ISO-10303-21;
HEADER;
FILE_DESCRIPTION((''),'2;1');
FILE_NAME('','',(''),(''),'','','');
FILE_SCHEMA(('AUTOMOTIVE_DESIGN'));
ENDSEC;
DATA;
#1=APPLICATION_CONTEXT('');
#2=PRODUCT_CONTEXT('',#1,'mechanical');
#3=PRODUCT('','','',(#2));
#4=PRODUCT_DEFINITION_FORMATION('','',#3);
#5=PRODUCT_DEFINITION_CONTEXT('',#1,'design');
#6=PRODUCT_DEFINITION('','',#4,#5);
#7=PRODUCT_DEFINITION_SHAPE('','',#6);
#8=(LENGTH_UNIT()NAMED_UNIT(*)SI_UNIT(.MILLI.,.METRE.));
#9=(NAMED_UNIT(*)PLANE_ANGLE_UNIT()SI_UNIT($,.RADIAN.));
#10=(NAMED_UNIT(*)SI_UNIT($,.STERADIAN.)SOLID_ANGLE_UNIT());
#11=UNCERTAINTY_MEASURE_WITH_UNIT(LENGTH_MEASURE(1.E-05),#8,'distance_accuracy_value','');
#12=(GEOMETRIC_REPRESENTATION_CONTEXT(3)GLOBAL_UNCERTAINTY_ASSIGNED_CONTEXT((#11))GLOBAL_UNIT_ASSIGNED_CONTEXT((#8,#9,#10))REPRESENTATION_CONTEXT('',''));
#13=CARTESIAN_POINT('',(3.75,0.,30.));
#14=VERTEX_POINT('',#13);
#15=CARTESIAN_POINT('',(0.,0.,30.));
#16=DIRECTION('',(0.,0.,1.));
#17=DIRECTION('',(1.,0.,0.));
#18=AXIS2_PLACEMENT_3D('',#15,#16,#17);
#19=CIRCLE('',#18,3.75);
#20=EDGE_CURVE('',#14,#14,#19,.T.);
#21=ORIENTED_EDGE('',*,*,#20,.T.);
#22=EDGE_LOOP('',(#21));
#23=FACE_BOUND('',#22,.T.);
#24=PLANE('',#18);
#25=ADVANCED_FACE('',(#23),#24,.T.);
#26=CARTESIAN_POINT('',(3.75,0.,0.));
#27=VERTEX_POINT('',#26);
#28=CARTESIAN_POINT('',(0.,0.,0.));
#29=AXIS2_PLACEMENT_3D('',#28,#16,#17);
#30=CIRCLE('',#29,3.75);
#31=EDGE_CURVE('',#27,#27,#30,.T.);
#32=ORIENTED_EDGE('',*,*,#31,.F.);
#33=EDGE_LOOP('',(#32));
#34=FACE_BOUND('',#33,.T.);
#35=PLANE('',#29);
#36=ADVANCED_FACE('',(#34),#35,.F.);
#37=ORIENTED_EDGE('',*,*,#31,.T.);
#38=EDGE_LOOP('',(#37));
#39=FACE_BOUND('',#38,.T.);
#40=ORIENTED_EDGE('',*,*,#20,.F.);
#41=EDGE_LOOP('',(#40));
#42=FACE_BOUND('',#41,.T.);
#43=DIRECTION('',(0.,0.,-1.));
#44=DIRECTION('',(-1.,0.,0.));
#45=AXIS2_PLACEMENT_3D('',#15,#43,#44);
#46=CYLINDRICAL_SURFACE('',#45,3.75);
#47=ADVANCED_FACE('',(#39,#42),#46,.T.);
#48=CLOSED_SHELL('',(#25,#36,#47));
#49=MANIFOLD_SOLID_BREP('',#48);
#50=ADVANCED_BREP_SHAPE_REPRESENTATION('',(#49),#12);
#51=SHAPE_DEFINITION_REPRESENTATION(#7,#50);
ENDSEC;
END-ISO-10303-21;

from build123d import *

# Parameters (mm, degrees)
SKETCH1_R           = 3.75
BOSS_EXTRUDE1_DEPTH = 30


with BuildPart() as part:
    # Sketch1 → Boss-Extrude1 (new body)
    with BuildSketch(Plane.XY):
        Circle(SKETCH1_R)
    extrude(amount=BOSS_EXTRUDE1_DEPTH)


solid = part.part
